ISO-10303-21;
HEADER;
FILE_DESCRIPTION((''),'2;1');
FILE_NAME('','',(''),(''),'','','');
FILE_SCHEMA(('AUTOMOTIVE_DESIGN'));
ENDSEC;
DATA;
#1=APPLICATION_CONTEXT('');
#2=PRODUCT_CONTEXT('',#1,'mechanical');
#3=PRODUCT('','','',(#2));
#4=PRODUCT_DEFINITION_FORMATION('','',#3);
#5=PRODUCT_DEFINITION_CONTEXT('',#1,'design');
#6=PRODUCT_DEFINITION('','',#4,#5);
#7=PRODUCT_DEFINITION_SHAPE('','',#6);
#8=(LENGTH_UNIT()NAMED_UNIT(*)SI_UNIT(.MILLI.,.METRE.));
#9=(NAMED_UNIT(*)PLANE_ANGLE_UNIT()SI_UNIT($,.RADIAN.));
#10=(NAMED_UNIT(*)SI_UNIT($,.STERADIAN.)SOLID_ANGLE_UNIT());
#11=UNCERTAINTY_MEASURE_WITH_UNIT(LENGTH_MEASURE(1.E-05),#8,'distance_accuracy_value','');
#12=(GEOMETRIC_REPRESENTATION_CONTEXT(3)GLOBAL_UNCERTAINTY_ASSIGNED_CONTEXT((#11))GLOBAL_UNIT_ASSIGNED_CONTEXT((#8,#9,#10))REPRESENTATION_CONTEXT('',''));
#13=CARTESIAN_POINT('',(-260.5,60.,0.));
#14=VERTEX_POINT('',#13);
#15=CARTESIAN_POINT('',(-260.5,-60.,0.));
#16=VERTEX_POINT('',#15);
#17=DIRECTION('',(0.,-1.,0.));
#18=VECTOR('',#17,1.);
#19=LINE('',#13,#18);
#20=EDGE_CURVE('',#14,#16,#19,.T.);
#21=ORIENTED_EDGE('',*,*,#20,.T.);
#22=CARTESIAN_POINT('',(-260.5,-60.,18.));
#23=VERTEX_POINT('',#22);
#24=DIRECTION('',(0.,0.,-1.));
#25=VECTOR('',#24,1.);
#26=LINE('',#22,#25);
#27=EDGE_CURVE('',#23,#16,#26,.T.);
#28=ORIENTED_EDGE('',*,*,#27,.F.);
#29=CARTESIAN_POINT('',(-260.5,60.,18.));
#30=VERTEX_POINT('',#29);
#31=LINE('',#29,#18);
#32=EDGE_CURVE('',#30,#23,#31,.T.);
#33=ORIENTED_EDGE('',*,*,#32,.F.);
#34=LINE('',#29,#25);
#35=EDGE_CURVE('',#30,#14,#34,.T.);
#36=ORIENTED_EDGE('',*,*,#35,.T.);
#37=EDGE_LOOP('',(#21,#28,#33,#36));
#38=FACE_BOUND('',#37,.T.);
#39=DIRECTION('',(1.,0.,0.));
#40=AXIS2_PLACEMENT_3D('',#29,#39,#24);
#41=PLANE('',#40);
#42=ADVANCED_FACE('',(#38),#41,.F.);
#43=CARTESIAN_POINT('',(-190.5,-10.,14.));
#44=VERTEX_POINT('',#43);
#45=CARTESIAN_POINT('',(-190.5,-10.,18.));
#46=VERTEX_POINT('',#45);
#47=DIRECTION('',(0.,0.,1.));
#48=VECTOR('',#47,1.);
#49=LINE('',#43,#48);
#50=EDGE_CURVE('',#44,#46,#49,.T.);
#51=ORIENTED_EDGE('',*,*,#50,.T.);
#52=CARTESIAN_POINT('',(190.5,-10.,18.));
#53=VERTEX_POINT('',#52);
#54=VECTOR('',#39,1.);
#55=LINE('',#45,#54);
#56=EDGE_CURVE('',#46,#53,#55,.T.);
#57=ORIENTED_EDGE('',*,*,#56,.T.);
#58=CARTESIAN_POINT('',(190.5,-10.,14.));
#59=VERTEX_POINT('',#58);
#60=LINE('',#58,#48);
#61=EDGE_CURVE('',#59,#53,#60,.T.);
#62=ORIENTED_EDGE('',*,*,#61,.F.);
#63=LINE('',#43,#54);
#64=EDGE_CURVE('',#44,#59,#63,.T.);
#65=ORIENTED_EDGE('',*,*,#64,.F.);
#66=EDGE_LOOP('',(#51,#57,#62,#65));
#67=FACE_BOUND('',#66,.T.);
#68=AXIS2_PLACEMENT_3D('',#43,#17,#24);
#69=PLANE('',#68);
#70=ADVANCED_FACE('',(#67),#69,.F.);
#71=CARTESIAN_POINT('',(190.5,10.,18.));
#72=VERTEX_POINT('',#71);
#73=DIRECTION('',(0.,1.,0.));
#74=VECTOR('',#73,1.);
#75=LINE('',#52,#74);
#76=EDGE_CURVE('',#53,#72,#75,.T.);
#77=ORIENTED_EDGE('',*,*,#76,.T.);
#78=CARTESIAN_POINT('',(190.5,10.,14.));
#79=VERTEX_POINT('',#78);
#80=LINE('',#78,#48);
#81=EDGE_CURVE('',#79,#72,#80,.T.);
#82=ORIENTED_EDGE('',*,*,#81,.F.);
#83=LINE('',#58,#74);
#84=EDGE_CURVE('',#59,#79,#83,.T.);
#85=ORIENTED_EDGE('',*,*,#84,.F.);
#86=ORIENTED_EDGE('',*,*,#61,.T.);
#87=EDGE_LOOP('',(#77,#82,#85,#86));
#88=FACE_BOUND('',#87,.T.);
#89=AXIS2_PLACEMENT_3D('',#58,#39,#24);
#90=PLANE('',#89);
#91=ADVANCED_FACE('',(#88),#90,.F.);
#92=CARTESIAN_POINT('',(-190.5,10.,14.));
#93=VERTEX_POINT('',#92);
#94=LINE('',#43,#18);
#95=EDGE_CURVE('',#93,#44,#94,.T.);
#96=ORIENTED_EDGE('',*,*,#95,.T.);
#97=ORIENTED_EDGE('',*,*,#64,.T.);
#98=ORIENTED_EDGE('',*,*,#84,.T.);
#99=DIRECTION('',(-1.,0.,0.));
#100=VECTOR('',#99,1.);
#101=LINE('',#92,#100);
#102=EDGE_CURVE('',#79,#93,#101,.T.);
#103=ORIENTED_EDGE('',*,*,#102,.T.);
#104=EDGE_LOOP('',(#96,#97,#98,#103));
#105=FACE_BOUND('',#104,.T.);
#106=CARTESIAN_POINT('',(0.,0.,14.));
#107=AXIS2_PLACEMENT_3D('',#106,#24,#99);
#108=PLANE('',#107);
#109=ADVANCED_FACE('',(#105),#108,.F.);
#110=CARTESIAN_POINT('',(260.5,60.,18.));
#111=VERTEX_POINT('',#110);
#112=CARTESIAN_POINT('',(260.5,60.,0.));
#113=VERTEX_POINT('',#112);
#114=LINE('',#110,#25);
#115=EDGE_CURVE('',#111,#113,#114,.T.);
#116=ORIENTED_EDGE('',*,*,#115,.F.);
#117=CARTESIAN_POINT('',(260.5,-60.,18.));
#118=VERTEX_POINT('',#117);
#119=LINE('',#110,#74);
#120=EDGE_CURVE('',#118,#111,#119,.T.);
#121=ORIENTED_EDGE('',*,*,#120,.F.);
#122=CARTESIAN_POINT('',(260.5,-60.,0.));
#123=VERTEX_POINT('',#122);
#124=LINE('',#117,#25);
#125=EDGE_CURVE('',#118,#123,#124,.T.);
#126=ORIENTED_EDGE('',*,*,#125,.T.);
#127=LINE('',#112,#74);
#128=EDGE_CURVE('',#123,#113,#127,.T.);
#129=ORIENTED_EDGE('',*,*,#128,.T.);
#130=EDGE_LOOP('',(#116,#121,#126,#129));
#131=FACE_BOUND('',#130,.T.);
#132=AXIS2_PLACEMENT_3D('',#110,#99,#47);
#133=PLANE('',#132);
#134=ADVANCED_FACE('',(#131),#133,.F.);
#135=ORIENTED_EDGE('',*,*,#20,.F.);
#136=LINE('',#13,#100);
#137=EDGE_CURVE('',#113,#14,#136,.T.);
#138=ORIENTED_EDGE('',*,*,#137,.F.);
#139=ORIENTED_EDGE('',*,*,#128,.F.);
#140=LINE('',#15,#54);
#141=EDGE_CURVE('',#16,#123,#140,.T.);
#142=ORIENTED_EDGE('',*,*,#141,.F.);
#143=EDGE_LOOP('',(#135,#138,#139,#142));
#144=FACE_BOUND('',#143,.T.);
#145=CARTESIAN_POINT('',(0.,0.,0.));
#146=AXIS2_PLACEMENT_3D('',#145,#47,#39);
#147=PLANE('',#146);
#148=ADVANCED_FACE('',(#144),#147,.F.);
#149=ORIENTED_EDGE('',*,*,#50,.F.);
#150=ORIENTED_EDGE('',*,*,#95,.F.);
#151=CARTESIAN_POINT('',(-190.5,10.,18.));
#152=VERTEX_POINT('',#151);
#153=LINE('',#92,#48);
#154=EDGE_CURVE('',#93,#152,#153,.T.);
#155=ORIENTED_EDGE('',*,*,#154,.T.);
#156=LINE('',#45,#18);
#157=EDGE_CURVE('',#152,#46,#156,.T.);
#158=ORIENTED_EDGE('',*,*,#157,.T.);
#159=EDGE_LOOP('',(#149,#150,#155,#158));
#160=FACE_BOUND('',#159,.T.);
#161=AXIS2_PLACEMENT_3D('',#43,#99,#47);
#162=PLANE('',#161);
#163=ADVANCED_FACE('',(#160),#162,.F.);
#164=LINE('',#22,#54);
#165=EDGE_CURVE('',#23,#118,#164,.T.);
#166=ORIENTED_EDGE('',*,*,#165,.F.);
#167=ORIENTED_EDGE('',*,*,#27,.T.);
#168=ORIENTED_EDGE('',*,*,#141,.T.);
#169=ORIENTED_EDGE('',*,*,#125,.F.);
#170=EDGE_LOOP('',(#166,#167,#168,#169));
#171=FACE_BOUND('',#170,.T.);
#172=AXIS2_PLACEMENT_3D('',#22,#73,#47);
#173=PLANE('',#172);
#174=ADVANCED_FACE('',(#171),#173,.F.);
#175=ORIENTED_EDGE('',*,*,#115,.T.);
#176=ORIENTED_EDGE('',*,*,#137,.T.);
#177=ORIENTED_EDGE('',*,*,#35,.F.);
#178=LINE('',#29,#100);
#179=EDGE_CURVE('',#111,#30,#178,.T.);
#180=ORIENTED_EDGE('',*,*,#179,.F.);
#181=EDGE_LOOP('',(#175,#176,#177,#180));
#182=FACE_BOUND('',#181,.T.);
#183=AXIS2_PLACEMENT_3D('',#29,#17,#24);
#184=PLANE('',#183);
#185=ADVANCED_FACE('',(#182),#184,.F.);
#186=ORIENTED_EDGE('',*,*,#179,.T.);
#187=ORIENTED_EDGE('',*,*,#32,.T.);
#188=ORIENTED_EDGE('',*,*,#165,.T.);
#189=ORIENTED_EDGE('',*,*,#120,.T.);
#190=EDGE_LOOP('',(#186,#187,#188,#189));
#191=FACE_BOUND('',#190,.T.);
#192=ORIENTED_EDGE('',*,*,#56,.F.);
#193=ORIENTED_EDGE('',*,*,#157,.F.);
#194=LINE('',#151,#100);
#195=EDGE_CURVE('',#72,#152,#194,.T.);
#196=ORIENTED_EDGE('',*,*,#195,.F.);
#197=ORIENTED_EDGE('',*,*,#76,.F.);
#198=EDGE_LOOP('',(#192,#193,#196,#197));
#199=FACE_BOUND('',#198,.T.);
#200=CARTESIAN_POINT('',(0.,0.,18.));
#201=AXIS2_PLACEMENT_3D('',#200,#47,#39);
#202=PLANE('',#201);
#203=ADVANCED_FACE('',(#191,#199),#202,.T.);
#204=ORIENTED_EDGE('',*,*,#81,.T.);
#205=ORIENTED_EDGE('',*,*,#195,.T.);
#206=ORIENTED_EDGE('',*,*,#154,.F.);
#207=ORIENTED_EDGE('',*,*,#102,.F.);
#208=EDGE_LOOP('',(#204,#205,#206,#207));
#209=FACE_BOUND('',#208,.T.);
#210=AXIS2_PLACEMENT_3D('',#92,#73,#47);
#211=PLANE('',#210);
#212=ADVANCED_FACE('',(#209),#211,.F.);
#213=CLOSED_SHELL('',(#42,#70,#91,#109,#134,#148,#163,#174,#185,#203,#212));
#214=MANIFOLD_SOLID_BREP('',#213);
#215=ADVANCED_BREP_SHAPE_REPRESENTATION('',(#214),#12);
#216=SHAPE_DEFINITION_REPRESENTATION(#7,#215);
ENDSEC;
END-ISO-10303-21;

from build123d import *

# Parameters (mm, degrees)
SKETCH1_W           = 521
SKETCH1_H           = 120
BOSS_EXTRUDE1_DEPTH = 18
SKETCH2_W           = 381
SKETCH2_H           = 20
CUT_EXTRUDE1_DEPTH  = 4


with BuildPart() as part:
    # Sketch1 → Boss-Extrude1 (new body)
    with BuildSketch(Plane.XY):
        Rectangle(SKETCH1_W, SKETCH1_H)
    extrude(amount=BOSS_EXTRUDE1_DEPTH)

    # Sketch2 → Cut-Extrude1 (cut)
    with BuildSketch(Plane.XY.offset(18)):
        Rectangle(SKETCH2_W, SKETCH2_H)
    extrude(amount=-CUT_EXTRUDE1_DEPTH, mode=Mode.SUBTRACT)


solid = part.part
